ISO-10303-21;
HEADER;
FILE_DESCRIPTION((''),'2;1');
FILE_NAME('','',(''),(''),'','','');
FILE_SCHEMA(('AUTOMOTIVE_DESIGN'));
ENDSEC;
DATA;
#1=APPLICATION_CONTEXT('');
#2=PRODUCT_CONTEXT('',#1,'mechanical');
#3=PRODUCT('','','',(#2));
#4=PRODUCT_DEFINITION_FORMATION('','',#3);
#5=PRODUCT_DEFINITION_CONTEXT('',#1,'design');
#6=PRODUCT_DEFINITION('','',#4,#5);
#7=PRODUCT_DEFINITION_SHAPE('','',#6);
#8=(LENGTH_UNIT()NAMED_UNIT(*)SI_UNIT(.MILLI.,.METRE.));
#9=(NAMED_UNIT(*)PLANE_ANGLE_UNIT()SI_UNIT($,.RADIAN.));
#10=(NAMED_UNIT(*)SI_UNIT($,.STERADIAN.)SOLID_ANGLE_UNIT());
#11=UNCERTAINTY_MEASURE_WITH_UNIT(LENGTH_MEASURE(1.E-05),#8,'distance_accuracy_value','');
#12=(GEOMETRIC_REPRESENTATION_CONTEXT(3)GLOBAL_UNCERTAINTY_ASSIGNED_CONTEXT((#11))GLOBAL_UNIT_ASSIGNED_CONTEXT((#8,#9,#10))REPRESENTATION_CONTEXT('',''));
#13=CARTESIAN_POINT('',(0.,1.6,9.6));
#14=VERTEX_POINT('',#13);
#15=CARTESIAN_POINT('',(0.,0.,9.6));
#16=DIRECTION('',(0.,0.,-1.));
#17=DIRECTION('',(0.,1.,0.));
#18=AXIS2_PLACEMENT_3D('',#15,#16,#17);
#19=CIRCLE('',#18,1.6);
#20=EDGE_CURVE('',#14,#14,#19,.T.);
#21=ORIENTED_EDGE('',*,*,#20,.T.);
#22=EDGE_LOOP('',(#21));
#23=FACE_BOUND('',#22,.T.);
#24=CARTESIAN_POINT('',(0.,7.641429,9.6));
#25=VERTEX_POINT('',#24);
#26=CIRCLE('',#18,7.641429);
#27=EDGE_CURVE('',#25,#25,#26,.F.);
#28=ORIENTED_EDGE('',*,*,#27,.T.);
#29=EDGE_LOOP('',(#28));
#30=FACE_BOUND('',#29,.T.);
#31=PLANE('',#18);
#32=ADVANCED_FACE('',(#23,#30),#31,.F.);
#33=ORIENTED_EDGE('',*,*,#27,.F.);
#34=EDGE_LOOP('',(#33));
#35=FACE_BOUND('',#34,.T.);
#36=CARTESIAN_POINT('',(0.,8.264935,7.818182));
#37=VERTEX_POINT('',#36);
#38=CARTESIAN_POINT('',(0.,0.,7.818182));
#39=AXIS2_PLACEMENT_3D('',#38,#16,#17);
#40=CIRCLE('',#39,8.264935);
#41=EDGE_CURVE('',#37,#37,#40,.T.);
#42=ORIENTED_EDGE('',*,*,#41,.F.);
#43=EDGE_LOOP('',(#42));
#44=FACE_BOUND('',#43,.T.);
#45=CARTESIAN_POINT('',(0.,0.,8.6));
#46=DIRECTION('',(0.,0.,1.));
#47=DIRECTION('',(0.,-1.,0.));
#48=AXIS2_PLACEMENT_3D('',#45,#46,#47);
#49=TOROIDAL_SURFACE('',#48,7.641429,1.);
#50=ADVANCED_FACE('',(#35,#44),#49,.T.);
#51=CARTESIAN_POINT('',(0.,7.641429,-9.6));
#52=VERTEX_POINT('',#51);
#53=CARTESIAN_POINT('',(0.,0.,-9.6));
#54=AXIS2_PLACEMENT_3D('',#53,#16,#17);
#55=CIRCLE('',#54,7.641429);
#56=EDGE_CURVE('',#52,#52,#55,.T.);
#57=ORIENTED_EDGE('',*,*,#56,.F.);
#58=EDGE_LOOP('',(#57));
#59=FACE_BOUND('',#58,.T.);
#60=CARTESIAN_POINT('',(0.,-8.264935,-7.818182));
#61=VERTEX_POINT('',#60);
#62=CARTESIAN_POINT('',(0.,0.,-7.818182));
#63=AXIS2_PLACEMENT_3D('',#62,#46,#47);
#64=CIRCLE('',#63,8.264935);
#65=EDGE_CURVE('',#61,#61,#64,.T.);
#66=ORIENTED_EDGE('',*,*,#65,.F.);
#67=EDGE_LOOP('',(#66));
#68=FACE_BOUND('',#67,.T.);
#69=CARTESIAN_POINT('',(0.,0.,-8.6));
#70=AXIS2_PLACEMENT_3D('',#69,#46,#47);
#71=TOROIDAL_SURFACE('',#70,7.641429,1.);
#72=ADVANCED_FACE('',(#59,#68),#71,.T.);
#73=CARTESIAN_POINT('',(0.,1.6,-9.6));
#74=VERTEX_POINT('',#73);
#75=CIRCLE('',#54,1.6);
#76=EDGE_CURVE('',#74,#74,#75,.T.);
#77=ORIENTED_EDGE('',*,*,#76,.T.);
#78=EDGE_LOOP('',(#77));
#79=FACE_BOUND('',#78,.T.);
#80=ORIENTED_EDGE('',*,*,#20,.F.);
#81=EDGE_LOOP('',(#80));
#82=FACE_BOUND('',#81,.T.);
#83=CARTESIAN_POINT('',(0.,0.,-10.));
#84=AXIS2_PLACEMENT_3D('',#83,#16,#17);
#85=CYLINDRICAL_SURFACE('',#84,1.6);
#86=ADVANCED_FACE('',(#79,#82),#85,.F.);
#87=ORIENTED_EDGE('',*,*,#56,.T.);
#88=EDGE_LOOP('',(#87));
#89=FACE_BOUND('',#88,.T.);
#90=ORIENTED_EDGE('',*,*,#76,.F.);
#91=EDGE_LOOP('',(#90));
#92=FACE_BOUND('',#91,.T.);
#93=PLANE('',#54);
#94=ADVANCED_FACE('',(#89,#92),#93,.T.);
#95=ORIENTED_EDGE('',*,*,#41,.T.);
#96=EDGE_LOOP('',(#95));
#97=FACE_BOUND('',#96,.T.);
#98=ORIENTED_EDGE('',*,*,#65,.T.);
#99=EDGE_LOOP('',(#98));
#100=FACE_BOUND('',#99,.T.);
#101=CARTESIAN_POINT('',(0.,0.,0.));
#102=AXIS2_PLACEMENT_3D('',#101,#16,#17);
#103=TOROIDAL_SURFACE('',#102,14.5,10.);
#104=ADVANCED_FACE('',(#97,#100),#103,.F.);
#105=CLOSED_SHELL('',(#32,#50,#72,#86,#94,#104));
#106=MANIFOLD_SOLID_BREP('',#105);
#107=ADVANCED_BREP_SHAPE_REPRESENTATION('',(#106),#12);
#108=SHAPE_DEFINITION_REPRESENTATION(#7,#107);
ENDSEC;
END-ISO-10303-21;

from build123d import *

# Parameters (mm, degrees)
FILLET1_R = 1


with BuildPart() as part:
    # Sketch1 → Revolve1 (revolve)
    with BuildSketch(Plane(origin=(0, 0, 0), x_dir=(0, 0, -1), z_dir=(1, 0, 0))):
        with BuildLine():
            Line((9.6, 1.6), (9.6, 11.7))
            ThreePointArc((9.6, 11.7), (0, 4.5), (-9.6, 11.7))
            Line((-9.6, 11.7), (-9.6, 1.6))
            Line((-9.6, 1.6), (9.6, 1.6))
        make_face()
    revolve(axis=Axis((0, 0, -10), (0, 0, 1)))

    # Fillet1
    fillet1_edges = [part.edges().sort_by_distance(p)[0] for p in [
        (0, -11.7, 9.6),
        (0, -11.7, -9.6),
    ]]
    fillet(fillet1_edges, radius=FILLET1_R)


solid = part.part
